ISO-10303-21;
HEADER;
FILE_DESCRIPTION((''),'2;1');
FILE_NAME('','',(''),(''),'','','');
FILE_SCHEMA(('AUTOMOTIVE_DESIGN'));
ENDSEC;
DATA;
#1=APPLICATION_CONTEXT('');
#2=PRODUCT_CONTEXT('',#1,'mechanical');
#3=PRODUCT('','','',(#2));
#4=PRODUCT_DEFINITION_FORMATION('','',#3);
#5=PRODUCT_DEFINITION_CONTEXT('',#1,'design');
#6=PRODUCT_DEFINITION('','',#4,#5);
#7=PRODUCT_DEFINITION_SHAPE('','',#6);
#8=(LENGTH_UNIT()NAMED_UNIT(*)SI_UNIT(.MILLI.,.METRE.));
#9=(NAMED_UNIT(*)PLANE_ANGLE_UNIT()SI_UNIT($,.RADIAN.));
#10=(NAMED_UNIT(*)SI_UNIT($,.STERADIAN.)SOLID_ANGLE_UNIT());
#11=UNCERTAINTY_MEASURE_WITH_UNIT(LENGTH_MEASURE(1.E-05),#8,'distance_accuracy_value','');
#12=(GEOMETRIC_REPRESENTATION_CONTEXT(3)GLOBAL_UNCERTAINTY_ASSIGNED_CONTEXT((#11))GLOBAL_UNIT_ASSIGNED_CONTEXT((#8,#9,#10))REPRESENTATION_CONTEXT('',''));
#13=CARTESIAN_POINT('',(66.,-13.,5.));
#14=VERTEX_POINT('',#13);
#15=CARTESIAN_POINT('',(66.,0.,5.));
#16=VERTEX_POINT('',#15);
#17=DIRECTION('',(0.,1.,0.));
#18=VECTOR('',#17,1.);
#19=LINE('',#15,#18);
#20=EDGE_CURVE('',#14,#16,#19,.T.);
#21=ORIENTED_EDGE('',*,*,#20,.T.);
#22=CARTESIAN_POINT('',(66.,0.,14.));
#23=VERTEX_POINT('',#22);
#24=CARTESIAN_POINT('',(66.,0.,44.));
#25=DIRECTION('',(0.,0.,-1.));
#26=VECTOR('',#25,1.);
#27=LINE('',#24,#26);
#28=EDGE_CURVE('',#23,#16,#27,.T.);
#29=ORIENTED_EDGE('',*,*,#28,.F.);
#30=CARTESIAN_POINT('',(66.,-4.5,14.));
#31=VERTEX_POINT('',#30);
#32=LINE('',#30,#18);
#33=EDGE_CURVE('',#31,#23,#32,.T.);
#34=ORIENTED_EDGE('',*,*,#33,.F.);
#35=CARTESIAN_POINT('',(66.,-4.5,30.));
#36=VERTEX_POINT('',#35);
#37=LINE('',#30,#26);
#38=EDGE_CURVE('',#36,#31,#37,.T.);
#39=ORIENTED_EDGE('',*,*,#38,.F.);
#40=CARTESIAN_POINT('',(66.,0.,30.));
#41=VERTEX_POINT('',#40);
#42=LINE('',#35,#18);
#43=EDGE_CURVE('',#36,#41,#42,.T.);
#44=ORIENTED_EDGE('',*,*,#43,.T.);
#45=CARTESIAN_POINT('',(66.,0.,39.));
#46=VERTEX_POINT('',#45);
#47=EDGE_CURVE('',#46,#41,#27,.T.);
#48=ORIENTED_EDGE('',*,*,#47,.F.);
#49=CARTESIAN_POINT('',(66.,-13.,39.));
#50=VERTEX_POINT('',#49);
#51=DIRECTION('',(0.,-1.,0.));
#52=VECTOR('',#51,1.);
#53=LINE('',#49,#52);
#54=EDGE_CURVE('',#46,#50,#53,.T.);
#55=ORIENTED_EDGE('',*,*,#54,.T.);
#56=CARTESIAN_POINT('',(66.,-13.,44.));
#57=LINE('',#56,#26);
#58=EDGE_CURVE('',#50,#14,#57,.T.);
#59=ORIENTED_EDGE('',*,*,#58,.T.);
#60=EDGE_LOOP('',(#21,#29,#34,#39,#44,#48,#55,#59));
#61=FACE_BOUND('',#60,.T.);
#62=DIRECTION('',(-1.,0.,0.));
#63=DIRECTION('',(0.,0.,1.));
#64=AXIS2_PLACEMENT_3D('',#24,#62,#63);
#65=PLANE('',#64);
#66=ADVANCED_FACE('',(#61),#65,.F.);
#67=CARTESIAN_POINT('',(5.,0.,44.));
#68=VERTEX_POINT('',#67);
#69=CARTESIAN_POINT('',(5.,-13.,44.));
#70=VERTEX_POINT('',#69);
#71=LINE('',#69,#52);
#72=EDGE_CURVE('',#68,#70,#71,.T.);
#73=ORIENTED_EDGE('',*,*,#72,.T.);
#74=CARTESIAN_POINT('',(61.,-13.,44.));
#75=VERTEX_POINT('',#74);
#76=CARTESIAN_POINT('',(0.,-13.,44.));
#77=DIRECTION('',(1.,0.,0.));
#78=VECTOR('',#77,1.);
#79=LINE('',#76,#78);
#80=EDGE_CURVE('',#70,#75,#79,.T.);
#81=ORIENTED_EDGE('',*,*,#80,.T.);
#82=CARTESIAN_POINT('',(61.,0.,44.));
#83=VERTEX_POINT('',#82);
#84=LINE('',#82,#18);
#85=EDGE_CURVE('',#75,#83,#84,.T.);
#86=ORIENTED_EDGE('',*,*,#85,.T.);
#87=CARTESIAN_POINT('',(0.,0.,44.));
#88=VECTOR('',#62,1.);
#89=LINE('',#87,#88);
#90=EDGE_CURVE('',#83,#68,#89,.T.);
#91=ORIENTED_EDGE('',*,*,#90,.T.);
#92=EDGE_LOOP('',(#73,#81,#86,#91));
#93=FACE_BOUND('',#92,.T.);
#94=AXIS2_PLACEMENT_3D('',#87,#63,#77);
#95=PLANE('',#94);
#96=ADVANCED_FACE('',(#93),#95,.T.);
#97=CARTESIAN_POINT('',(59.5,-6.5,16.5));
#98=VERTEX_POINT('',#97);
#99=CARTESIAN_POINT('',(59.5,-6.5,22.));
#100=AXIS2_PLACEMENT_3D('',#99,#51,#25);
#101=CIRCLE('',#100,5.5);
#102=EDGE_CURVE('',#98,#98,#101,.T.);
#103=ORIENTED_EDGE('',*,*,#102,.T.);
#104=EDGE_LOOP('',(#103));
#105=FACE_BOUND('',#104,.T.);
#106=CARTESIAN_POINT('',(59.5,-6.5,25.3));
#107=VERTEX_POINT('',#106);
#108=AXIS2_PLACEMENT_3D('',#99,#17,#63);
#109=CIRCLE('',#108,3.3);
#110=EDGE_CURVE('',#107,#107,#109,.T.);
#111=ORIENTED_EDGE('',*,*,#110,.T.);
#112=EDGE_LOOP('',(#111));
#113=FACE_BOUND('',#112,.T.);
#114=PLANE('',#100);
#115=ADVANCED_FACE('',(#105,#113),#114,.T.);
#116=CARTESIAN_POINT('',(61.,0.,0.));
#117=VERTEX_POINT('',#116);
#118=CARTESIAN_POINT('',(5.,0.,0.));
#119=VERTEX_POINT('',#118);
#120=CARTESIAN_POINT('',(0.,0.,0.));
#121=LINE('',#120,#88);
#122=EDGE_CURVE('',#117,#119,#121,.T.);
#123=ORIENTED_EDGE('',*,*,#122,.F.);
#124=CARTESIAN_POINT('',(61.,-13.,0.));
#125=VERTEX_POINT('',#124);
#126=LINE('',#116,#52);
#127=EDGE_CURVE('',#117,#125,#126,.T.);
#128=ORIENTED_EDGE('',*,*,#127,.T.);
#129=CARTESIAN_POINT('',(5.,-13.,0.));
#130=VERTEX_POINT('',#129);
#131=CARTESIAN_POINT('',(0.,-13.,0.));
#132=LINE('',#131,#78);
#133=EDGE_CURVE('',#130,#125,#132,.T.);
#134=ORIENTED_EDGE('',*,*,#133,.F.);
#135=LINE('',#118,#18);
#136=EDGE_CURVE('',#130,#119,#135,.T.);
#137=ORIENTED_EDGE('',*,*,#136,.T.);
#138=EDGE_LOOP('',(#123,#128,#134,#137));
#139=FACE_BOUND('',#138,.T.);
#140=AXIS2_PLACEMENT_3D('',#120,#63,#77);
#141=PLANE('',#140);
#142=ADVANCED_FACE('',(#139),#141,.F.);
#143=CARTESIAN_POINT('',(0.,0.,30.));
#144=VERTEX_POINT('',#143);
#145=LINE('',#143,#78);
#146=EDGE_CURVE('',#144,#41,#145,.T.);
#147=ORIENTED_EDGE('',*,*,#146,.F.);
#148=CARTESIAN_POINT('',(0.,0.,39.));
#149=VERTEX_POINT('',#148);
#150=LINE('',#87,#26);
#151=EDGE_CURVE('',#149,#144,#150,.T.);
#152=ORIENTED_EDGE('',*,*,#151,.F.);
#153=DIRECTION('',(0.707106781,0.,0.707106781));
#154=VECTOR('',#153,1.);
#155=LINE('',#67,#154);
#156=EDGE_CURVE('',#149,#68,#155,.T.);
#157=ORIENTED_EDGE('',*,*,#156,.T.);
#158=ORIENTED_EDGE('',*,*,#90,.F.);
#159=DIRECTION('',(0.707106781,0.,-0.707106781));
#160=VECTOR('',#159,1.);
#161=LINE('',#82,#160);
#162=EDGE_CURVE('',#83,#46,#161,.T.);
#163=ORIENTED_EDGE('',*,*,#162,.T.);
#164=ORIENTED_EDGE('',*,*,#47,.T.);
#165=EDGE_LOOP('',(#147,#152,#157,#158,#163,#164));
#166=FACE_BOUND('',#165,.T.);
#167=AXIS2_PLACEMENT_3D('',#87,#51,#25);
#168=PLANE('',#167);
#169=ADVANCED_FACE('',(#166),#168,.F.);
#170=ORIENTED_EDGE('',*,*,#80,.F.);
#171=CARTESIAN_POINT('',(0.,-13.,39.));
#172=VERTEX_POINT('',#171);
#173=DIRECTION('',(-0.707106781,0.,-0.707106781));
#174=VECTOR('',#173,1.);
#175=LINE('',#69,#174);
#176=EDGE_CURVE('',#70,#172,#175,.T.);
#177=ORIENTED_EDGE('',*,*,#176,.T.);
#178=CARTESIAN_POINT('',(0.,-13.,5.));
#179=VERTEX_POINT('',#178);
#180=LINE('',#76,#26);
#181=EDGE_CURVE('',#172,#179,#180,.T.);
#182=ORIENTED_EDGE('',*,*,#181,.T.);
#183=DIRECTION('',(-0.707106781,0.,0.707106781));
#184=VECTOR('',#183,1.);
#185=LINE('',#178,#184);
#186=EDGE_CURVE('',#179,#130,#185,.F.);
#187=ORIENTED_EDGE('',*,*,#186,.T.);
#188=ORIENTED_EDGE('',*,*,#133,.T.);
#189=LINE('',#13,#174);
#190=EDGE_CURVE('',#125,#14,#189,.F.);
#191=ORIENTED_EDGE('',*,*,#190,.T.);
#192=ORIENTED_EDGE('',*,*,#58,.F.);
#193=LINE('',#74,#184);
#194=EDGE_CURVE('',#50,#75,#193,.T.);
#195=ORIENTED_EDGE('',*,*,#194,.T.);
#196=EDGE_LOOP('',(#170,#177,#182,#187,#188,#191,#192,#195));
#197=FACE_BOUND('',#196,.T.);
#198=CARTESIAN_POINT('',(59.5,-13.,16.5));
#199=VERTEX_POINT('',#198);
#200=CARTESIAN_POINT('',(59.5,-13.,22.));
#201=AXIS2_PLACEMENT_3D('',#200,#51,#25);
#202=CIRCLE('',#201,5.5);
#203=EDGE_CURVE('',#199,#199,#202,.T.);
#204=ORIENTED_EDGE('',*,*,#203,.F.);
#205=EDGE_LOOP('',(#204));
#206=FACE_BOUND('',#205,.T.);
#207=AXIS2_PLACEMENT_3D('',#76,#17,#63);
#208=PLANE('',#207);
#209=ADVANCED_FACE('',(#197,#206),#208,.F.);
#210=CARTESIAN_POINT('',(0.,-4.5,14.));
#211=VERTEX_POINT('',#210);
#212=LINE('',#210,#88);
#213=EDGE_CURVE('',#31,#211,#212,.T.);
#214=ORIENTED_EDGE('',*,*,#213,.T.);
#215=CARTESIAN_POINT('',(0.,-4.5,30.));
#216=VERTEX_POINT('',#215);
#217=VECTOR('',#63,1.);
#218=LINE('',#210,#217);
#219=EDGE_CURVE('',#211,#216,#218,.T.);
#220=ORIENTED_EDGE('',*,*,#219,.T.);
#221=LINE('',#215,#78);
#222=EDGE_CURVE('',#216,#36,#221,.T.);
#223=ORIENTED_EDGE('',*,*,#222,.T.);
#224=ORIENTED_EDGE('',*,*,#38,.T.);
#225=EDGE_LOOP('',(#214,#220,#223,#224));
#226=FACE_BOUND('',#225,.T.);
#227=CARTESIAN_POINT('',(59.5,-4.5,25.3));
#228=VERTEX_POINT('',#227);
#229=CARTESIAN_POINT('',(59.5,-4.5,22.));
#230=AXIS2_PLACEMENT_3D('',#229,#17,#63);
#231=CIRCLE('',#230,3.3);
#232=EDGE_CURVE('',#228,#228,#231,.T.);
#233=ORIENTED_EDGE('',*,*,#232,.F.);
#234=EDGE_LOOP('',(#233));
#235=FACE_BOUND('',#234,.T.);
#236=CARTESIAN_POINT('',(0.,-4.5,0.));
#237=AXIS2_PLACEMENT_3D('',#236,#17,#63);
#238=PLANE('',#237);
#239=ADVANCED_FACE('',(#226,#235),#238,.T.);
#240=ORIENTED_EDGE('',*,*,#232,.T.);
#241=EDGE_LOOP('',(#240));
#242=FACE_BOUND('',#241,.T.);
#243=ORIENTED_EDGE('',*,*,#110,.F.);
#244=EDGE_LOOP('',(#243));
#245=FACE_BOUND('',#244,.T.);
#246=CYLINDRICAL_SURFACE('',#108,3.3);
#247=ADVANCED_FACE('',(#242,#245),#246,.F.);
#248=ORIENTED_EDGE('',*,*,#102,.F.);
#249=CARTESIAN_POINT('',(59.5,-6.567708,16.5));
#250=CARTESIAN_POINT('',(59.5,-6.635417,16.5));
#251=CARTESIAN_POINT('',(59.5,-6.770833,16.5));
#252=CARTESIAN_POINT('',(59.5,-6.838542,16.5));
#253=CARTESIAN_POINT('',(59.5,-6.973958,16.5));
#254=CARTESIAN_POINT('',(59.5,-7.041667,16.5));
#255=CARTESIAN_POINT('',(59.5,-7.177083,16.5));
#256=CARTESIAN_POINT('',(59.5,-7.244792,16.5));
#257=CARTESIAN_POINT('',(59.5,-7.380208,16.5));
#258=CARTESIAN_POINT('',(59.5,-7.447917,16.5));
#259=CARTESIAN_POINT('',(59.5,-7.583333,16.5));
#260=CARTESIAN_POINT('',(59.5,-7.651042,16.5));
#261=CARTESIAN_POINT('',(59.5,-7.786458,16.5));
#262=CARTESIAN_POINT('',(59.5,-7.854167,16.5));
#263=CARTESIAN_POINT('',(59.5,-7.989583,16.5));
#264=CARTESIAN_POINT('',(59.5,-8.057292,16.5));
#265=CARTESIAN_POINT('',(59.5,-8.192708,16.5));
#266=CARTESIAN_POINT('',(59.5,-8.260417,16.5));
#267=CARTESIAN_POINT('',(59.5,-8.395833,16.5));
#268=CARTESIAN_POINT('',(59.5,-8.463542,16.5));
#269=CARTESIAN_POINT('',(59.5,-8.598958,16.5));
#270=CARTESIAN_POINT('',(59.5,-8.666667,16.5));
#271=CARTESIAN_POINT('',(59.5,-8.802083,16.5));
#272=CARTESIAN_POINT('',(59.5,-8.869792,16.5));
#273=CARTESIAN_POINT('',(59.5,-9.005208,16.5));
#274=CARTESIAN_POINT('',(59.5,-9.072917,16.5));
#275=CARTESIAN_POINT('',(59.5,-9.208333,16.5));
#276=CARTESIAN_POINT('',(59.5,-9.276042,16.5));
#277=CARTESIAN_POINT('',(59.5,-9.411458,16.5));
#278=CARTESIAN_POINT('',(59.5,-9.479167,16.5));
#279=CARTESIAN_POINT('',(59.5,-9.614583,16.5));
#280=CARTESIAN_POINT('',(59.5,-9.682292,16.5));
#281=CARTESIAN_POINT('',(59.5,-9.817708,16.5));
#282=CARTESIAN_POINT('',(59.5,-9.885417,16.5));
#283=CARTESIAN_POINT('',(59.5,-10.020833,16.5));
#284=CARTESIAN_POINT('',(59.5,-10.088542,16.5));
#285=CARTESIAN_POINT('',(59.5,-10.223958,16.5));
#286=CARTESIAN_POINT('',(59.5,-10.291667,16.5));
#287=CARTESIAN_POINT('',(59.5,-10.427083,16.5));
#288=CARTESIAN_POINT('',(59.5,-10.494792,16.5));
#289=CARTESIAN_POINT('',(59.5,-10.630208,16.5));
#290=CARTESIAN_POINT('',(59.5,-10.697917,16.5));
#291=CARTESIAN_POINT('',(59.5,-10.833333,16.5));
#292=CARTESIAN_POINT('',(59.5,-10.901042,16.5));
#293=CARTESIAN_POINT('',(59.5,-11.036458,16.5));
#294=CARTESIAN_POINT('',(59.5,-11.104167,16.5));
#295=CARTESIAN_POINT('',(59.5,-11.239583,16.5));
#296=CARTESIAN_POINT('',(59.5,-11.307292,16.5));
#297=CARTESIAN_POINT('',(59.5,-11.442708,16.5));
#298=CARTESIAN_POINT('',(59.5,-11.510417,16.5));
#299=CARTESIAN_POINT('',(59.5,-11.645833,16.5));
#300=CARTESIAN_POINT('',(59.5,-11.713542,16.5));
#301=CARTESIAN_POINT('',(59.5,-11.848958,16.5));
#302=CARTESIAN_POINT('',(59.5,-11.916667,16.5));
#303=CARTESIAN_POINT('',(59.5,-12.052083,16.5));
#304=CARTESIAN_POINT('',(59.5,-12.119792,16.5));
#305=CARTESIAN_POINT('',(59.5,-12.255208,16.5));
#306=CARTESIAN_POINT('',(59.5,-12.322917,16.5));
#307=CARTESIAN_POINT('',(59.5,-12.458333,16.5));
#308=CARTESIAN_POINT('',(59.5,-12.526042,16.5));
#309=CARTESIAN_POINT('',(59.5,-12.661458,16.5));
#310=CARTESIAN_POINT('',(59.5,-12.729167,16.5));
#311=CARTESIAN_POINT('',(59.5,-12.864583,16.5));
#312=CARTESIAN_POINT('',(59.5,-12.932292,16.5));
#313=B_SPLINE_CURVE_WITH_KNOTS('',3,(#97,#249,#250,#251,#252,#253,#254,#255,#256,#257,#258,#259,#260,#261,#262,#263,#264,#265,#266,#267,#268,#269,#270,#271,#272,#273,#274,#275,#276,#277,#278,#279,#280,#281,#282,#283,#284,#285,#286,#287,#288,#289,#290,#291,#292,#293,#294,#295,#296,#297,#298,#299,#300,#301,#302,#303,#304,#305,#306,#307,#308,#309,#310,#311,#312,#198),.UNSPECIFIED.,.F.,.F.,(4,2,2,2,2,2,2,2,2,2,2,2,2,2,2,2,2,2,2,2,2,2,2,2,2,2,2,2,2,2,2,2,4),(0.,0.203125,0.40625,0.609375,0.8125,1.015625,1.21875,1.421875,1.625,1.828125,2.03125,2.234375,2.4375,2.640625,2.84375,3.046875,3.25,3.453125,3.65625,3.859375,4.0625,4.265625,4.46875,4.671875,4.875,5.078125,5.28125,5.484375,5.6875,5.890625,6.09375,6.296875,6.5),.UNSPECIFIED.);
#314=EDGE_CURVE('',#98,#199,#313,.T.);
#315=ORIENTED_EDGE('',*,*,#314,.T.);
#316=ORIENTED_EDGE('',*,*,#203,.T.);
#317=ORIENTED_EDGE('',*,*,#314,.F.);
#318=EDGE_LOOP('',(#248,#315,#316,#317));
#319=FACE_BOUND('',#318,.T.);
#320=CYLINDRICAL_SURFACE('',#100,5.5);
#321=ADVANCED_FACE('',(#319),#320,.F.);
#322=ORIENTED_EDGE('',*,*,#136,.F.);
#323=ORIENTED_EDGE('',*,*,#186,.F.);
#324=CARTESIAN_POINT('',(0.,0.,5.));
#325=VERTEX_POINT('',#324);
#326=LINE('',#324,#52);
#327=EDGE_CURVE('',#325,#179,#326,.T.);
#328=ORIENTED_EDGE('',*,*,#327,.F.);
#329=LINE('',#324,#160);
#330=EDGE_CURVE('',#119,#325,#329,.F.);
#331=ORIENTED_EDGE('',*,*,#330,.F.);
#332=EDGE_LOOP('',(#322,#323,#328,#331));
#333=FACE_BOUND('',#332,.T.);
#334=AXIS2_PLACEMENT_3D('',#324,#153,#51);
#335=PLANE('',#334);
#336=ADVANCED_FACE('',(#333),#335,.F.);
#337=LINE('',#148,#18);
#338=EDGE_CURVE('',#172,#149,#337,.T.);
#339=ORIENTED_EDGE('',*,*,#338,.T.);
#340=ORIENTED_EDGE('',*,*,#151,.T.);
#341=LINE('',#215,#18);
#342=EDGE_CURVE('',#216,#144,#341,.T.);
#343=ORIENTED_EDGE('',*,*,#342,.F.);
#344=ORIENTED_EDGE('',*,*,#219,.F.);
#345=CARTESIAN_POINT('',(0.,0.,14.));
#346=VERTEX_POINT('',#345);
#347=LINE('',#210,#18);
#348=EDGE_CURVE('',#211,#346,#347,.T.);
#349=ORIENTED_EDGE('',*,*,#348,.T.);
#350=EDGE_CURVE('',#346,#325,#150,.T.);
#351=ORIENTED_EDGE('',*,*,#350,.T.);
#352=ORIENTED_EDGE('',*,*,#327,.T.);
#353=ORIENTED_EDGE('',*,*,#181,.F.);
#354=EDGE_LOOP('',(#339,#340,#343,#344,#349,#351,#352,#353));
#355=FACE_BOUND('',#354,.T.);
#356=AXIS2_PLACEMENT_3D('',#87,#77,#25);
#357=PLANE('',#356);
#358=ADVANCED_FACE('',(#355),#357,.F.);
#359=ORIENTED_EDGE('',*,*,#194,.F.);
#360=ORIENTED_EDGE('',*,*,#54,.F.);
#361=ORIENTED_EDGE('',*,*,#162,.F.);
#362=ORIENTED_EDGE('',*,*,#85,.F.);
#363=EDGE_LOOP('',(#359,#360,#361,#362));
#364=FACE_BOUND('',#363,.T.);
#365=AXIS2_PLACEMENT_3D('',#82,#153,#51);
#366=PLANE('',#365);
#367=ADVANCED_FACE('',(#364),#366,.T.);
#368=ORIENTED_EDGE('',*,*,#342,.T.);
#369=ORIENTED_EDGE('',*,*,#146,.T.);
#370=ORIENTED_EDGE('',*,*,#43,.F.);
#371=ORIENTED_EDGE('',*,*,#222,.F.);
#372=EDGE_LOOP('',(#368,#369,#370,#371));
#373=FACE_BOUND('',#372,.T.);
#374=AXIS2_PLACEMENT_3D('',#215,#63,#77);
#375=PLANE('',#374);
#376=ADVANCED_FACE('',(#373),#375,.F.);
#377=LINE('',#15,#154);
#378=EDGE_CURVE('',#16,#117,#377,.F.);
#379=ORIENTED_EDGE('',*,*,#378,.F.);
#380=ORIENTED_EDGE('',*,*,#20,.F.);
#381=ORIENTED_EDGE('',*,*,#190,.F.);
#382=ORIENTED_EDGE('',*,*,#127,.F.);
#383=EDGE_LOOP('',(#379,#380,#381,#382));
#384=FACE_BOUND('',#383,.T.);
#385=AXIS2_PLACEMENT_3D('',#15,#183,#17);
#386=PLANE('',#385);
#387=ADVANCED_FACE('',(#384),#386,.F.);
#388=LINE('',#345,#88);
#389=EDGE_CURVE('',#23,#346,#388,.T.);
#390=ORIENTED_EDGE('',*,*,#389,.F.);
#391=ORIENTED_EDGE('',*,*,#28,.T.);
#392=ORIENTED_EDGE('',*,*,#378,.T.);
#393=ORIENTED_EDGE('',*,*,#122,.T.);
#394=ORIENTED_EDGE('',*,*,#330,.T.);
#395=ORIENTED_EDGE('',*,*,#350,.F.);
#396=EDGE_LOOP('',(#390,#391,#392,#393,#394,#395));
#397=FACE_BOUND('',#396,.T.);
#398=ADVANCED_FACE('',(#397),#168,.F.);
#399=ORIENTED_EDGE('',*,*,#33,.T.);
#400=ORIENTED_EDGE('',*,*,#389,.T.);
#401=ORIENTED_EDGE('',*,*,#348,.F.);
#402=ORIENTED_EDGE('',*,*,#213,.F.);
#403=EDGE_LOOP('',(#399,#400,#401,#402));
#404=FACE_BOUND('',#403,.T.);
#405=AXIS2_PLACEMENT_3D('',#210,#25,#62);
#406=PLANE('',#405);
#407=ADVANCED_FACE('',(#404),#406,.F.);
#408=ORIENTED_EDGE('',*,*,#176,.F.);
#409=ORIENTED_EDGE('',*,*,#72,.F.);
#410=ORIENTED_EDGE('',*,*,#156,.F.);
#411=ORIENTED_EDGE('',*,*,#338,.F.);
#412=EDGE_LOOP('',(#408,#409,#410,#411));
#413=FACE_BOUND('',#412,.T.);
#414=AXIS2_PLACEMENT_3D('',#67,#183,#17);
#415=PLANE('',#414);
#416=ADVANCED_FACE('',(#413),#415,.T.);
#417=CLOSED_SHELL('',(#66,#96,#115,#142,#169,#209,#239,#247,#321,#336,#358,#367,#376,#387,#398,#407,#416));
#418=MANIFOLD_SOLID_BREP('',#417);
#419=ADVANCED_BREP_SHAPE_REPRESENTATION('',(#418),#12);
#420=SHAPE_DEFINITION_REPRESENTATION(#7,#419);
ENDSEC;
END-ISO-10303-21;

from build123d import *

# Parameters (mm, degrees)
ESBO_O1_W                = 66
ESBO_O1_H                = 13
RESSALTO_EXTRUS_O1_DEPTH = 44
ESBO_O2_W                = 66
ESBO_O2_H                = 16
CORTE_EXTRUS_O1_DEPTH    = 4.5
CHANFRO1_SIZE            = 5
ESBO_O4_R                = 3.3
CORTE_EXTRUS_O2_DEPTH    = 2
ESBO_O5_R                = 5.5
CORTE_EXTRUS_O3_DEPTH    = 6.5


with BuildPart() as part:
    # Esboço1 → Ressalto-extrusão1 (new body)
    with BuildSketch(Plane.XY):
        with Locations((33, -6.5)):
            Rectangle(ESBO_O1_W, ESBO_O1_H)
    extrude(amount=RESSALTO_EXTRUS_O1_DEPTH)

    # Esboço2 → Corte-extrusão1 (cut)
    with BuildSketch(Plane(origin=(0, 0, 0), x_dir=(1, 0, 0), z_dir=(0, 1, 0))):
        with Locations((33, -22)):
            Rectangle(ESBO_O2_W, ESBO_O2_H)
    extrude(amount=-CORTE_EXTRUS_O1_DEPTH, mode=Mode.SUBTRACT)

    # Chanfro1
    chanfro1_edges = [part.edges().sort_by_distance(p)[0] for p in [
        (66, -6.5, 44),
        (0, -6.5, 44),
        (66, -6.5, 0),
        (0, -6.5, 0),
    ]]
    chamfer(chanfro1_edges, length=CHANFRO1_SIZE)

    # Esboço4 → Corte-extrusão2 (cut)
    with BuildSketch(Plane(origin=(0, -4.5, 0), x_dir=(1, 0, 0), z_dir=(0, 1, 0))):
        with Locations(Location((59.5, -22, 0), (0, 0, 270))):
            Circle(ESBO_O4_R)
    extrude(amount=-CORTE_EXTRUS_O2_DEPTH, mode=Mode.SUBTRACT)

    # Esboço5 → Corte-extrusão3 (cut)
    with BuildSketch(Plane.XZ.offset(13)):
        with Locations(Location((59.5, 22, 0), (0, 0, 270))):
            Circle(ESBO_O5_R)
    extrude(amount=-CORTE_EXTRUS_O3_DEPTH, mode=Mode.SUBTRACT)


solid = part.part
